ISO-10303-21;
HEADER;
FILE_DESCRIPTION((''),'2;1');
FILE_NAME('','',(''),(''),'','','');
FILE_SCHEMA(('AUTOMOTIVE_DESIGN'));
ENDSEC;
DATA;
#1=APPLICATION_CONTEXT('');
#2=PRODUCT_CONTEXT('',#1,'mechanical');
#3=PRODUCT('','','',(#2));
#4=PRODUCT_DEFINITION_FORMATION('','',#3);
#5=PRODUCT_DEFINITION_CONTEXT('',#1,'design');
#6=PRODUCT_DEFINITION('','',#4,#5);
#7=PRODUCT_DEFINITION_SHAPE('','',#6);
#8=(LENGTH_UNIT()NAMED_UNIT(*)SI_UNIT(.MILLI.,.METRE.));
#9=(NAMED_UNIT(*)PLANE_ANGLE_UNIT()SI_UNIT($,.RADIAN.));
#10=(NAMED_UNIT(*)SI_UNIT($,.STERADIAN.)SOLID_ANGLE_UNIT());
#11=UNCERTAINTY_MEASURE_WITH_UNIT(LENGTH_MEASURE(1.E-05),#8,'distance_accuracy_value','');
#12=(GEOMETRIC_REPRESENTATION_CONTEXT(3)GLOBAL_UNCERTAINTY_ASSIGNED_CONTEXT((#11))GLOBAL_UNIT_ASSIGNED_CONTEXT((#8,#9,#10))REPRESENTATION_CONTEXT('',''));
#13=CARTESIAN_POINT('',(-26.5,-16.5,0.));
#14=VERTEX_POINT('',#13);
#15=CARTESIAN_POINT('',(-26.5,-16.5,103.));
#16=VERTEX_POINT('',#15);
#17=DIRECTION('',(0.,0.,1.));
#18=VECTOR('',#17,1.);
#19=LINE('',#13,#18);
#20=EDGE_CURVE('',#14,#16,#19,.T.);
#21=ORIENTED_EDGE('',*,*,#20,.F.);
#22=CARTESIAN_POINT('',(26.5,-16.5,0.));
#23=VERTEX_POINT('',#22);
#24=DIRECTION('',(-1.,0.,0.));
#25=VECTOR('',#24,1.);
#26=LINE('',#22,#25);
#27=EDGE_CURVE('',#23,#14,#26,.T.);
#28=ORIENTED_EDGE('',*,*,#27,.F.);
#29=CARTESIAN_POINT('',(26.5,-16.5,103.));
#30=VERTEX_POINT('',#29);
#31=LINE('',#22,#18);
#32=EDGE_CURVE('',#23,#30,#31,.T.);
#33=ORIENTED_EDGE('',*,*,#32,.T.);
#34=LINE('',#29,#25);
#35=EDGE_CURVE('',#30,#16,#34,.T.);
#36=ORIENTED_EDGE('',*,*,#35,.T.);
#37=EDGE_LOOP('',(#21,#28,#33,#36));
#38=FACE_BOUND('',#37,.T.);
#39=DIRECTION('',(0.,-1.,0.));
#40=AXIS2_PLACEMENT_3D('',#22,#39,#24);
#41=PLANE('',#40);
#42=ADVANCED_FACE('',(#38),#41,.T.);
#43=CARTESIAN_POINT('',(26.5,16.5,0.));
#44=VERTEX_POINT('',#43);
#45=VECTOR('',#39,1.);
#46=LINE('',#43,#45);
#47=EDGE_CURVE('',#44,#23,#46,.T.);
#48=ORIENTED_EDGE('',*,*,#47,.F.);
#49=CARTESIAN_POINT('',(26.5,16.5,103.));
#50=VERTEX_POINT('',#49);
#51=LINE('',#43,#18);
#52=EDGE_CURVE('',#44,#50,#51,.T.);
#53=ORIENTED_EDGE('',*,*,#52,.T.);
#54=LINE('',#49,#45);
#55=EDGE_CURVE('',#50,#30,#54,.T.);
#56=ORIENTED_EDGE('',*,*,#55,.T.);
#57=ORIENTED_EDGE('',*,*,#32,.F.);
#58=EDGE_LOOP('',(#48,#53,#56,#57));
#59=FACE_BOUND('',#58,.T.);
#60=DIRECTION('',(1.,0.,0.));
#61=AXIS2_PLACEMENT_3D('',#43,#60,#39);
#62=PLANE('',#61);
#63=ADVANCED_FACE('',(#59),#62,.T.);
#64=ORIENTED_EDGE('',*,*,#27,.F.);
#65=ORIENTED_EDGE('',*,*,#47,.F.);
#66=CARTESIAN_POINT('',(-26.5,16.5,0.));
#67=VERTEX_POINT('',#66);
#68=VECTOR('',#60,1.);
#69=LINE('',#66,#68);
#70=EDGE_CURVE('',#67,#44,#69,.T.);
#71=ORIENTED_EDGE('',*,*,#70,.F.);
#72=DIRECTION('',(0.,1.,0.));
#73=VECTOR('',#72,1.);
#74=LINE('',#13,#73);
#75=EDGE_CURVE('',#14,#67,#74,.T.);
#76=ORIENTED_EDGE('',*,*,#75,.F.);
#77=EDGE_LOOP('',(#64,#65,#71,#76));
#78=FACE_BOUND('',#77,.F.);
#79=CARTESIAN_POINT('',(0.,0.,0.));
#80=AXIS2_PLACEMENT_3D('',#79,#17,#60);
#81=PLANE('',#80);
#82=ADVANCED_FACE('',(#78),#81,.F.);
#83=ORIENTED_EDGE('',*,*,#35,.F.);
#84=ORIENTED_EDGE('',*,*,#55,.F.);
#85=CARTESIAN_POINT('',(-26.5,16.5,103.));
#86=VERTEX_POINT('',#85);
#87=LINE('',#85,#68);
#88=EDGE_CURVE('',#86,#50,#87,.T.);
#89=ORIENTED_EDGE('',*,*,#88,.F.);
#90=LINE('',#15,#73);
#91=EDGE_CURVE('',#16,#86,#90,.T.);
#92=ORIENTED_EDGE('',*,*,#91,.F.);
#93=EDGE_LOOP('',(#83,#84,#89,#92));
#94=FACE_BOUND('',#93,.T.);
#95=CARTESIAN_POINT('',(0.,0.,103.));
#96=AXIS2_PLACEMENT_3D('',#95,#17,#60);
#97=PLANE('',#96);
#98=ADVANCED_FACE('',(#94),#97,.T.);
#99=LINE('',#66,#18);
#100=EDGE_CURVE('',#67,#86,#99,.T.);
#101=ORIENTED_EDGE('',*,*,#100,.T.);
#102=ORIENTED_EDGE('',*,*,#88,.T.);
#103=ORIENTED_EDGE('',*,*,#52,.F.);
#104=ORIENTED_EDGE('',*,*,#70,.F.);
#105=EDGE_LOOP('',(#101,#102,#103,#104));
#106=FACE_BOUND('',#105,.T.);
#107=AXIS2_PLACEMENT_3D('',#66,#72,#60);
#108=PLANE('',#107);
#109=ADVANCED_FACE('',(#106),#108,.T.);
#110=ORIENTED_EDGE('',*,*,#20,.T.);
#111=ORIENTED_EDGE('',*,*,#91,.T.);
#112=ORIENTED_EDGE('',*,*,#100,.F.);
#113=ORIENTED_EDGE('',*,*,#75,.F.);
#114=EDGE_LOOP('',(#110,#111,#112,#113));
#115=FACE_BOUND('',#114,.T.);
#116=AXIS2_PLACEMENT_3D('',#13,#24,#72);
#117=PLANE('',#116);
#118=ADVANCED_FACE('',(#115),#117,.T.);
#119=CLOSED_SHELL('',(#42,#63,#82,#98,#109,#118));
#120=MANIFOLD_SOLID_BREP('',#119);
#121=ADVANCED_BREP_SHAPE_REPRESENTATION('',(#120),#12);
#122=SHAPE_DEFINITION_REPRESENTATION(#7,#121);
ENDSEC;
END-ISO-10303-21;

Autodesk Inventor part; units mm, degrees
ref_plane "YZ Plane" through (0, 0, 0) normal (1, 0, 0) x (0, 1, 0)
ref_plane "XZ Plane" through (0, 0, 0) normal (0, 1, 0) x (-1, 0, 0)
ref_plane "XY Plane" through (0, 0, 0) normal (0, 0, 1) x (1, 0, 0)
sketch "草图1" plane through (0, 0, 0) normal (0, 0, 1) x (1, 0, 0)
  line L0 (26.5, -16.5) -> (-26.5, -16.5)
  line L1 (-26.5, -16.5) -> (-26.5, 16.5)
  line L2 (-26.5, 16.5) -> (26.5, 16.5)
  line L3 (26.5, 16.5) -> (26.5, -16.5)
  line L4 (26.5, -16.5) -> (-26.5, 16.5) construction
  line L5 (-26.5, -16.5) -> (26.5, 16.5) construction
  point P0 (0, 0)
  dimension "d0" = 53
  dimension "d1" = 33
extrude "拉伸1" add sketch "草图1" along normal blind 103
properties part number "小车主体"
